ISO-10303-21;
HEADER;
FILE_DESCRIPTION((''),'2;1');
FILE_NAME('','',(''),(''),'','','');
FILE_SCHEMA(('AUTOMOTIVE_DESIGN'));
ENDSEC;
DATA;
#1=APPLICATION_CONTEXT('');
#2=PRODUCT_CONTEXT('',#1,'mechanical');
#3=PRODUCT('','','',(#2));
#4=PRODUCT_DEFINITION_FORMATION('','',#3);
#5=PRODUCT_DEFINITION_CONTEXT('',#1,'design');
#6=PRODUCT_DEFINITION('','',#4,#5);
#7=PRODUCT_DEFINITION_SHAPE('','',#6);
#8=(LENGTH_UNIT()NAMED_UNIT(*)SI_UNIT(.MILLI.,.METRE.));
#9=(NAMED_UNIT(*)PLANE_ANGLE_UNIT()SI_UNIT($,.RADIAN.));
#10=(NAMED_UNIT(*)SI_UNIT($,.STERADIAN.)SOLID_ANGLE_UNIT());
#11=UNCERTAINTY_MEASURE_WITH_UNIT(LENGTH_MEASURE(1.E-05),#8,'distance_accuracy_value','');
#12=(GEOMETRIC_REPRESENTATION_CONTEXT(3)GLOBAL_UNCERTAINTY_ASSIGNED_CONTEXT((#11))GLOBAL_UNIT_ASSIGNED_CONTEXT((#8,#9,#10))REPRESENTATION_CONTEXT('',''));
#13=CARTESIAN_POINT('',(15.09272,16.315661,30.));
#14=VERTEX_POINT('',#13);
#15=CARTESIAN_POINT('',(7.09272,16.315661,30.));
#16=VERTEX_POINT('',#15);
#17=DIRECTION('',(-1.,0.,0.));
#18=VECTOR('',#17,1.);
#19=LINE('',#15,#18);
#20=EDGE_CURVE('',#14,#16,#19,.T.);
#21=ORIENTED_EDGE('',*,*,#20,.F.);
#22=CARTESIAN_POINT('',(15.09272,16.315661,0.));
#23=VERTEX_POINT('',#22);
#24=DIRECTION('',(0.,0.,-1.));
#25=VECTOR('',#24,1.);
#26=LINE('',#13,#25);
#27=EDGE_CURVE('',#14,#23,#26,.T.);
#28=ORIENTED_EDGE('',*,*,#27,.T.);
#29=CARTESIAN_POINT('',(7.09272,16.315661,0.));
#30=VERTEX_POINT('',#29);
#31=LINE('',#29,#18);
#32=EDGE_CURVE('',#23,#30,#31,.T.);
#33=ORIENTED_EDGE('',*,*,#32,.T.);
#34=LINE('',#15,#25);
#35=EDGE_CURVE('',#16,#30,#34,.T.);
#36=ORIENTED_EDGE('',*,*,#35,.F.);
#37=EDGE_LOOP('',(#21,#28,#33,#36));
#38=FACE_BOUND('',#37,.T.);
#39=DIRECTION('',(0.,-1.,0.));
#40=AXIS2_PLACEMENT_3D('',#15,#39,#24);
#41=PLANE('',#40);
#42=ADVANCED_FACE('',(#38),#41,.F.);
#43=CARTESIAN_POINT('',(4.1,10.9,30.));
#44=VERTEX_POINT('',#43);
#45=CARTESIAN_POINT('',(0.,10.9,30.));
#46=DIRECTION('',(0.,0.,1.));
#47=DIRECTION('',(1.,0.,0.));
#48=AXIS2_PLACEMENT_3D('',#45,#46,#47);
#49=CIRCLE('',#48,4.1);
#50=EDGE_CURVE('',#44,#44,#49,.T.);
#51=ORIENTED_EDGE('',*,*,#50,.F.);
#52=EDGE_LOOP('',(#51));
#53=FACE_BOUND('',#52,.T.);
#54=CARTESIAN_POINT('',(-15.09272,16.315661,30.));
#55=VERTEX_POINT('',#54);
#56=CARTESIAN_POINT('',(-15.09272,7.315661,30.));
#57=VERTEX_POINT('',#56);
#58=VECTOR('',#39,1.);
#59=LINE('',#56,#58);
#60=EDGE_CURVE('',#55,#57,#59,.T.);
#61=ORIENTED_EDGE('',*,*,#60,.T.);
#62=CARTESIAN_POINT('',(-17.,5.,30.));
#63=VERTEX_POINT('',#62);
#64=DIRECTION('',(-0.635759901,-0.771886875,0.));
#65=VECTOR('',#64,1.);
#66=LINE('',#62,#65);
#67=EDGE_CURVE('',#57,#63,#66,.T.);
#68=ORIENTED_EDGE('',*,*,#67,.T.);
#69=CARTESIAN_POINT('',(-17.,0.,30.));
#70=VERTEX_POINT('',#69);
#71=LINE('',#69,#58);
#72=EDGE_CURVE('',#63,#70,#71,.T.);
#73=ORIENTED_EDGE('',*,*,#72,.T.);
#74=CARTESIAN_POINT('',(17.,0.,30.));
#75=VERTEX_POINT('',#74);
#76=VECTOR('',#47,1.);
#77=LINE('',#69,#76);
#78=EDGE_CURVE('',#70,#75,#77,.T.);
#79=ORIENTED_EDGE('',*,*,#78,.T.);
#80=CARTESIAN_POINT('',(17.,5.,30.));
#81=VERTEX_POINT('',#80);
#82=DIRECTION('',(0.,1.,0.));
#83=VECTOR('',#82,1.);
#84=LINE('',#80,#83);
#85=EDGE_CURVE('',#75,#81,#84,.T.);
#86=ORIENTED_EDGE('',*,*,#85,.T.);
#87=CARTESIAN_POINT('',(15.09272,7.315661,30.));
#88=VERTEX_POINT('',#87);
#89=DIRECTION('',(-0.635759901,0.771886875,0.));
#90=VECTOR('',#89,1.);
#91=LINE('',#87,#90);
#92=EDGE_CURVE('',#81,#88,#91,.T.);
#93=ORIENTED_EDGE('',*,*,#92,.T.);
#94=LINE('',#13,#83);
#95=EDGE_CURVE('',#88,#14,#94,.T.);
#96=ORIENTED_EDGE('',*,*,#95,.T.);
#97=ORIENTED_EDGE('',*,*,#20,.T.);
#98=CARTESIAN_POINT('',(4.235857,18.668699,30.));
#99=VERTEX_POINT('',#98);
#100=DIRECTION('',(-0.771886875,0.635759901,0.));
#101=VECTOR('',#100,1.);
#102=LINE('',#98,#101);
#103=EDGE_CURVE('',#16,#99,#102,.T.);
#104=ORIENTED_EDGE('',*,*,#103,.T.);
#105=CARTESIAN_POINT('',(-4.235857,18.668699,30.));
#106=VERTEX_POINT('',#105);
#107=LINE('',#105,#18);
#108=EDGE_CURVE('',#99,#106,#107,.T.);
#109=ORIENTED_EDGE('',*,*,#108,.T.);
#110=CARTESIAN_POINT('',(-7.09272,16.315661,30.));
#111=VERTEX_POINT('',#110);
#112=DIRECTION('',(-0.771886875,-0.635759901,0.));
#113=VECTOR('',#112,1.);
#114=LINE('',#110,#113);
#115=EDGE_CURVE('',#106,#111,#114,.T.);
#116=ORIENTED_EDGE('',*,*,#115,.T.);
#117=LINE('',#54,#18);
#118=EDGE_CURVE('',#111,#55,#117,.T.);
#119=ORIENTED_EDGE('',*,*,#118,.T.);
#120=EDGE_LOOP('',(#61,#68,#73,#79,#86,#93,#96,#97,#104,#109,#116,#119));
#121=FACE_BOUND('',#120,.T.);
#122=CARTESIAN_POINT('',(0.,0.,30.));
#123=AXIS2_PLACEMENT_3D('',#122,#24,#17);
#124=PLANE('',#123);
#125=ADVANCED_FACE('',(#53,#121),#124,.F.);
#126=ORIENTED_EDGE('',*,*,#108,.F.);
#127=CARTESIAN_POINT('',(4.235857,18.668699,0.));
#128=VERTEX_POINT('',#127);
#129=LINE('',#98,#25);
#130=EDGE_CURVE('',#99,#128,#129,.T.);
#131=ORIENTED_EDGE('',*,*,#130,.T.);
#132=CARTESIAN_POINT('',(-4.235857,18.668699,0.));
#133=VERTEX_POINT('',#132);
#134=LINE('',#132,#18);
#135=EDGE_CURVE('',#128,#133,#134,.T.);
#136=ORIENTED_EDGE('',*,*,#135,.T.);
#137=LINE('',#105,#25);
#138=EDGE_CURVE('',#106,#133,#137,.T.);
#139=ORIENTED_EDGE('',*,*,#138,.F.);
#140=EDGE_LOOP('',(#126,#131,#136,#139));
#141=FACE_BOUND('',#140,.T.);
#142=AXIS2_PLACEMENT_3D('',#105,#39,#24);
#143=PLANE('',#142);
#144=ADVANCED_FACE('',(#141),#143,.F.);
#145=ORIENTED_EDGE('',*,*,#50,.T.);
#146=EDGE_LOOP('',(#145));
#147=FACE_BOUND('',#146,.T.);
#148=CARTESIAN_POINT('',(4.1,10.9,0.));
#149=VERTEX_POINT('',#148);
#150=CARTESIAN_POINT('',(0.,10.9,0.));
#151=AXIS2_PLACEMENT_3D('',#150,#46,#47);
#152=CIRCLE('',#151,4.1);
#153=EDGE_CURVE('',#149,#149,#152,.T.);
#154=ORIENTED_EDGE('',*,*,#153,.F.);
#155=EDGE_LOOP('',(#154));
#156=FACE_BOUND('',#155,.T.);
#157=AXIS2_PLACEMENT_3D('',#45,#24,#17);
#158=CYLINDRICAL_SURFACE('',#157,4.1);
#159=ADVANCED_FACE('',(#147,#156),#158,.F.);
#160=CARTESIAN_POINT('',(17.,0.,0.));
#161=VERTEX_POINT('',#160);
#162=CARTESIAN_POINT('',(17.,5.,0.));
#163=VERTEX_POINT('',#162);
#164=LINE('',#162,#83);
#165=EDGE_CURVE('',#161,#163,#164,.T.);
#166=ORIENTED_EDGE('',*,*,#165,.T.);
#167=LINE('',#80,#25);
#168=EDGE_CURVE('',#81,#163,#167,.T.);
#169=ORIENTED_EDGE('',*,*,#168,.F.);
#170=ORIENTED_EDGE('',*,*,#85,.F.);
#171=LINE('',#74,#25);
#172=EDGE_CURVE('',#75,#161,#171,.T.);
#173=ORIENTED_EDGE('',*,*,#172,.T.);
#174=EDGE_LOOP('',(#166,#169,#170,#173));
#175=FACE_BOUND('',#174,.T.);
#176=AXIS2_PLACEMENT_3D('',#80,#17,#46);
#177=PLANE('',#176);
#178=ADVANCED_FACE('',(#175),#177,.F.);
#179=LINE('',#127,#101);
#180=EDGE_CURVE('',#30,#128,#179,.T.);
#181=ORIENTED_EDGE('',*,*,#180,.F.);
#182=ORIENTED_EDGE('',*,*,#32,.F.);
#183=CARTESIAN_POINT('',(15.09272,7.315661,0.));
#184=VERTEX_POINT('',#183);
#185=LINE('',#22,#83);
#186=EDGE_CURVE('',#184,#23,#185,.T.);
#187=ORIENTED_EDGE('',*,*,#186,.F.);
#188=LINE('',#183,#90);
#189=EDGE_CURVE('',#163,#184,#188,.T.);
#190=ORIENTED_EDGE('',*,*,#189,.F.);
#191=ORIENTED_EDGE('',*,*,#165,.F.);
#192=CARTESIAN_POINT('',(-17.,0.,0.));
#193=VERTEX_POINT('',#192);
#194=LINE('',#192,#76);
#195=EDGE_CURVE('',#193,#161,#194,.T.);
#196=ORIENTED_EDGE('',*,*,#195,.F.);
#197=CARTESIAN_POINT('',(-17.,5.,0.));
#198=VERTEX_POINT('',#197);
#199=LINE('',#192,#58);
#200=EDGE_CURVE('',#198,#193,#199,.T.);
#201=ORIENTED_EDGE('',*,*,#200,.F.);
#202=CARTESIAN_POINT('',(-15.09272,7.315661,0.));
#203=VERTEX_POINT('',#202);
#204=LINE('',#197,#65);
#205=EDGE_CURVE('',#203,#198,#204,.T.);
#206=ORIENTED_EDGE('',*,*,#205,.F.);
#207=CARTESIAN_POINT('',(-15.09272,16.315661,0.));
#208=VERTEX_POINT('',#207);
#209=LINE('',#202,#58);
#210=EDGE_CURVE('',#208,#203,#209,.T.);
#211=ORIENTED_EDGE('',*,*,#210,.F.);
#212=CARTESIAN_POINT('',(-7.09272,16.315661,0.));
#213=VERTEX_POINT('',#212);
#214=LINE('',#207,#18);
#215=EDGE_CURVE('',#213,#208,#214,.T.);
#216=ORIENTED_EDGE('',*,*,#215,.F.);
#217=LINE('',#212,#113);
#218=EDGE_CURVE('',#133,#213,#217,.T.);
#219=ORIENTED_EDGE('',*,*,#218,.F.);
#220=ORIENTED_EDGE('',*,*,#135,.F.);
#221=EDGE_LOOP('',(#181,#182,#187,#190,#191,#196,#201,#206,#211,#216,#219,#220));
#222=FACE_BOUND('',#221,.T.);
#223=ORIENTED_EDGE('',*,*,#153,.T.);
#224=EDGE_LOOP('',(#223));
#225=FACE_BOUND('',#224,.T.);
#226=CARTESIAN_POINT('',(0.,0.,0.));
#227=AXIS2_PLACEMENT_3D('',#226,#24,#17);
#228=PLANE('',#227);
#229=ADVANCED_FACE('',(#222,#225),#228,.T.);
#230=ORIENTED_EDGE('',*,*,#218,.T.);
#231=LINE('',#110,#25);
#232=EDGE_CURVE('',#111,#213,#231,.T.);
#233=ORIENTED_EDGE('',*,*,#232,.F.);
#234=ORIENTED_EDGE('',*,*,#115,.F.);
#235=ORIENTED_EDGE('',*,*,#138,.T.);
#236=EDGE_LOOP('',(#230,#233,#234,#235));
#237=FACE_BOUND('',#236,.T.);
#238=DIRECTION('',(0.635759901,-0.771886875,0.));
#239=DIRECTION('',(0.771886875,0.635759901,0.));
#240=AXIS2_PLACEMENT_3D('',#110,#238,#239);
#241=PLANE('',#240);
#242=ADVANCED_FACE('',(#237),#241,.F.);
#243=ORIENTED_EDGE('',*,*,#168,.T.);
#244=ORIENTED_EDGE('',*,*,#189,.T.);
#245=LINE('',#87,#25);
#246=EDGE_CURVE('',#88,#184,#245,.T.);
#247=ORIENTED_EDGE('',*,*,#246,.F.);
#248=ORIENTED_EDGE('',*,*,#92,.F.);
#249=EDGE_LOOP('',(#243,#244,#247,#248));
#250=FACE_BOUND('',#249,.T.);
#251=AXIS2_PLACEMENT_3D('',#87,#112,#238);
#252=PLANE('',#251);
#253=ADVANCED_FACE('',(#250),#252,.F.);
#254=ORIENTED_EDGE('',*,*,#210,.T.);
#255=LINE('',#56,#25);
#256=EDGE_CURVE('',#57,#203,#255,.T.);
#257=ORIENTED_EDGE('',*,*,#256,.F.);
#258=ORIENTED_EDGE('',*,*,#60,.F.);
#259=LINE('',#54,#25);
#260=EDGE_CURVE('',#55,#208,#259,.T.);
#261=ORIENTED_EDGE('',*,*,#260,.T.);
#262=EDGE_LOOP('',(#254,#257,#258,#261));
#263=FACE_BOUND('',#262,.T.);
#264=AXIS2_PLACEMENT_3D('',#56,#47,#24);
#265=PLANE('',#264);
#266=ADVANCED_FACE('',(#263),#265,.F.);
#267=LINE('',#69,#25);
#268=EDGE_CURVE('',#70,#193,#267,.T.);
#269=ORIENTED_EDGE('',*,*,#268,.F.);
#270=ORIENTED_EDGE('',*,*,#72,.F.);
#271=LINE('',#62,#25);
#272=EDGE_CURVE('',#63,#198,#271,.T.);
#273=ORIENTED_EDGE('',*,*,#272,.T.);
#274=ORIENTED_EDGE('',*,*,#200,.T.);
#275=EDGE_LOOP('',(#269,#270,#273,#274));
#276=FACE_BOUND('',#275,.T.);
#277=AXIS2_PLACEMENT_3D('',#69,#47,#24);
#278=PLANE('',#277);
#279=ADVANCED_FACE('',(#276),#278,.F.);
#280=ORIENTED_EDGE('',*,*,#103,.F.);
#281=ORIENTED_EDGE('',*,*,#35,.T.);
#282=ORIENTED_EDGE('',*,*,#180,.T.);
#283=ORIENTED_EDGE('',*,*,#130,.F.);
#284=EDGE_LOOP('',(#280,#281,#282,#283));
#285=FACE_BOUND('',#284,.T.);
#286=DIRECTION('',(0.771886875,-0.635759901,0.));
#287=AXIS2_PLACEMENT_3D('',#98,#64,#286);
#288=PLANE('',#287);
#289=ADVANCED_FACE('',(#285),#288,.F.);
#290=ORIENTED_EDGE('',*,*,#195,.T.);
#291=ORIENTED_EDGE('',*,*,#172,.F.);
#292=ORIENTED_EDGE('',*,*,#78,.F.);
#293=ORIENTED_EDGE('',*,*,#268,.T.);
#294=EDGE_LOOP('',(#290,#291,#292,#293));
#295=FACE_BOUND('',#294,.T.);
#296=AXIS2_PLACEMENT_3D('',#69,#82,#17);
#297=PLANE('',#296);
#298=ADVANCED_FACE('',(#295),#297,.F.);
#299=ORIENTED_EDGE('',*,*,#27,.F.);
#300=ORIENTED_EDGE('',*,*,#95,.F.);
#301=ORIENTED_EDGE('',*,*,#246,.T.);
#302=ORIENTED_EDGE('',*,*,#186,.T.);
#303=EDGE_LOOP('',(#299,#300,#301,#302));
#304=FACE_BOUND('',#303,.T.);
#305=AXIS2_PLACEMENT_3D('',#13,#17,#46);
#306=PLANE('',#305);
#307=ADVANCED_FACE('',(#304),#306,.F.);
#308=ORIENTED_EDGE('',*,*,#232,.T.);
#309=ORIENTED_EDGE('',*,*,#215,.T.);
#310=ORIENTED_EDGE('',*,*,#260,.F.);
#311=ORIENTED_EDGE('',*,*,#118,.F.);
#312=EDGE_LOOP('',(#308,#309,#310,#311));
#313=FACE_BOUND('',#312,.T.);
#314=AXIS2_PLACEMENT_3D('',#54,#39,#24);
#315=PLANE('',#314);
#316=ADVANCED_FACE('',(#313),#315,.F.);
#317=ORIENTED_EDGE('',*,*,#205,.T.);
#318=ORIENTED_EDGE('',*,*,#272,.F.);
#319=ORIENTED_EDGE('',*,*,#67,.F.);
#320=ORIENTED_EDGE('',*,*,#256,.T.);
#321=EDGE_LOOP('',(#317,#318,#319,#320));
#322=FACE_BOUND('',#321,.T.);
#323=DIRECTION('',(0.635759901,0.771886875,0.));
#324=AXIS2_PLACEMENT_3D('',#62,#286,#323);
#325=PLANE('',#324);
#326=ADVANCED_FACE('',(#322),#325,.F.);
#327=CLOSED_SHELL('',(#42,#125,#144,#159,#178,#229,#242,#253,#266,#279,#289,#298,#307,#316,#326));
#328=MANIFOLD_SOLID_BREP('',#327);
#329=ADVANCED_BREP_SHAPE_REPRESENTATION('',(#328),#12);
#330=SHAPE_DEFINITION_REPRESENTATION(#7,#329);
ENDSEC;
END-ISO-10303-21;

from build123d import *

# Parameters (mm, degrees)
SKETCH1_R           = 4.1
BOSS_EXTRUDE1_DEPTH = 30


with BuildPart() as part:
    # Sketch1 → Boss-Extrude1 (new body)
    with BuildSketch(Plane.XY):
        Polygon((-17, 0), (17, 0), (17, 5), (15.092720297, 7.315660626), (15.092720297, 16.315660626), (7.092720297, 16.315660626), (4.235856973, 18.668698619), (-4.235856973, 18.668698619), (-7.092720297, 16.315660626), (-15.092720297, 16.315660626), (-15.092720297, 7.315660626), (-17, 5), align=None)
        with Locations((0, 10.9)):
            Circle(SKETCH1_R, mode=Mode.SUBTRACT)
    extrude(amount=BOSS_EXTRUDE1_DEPTH)


solid = part.part
